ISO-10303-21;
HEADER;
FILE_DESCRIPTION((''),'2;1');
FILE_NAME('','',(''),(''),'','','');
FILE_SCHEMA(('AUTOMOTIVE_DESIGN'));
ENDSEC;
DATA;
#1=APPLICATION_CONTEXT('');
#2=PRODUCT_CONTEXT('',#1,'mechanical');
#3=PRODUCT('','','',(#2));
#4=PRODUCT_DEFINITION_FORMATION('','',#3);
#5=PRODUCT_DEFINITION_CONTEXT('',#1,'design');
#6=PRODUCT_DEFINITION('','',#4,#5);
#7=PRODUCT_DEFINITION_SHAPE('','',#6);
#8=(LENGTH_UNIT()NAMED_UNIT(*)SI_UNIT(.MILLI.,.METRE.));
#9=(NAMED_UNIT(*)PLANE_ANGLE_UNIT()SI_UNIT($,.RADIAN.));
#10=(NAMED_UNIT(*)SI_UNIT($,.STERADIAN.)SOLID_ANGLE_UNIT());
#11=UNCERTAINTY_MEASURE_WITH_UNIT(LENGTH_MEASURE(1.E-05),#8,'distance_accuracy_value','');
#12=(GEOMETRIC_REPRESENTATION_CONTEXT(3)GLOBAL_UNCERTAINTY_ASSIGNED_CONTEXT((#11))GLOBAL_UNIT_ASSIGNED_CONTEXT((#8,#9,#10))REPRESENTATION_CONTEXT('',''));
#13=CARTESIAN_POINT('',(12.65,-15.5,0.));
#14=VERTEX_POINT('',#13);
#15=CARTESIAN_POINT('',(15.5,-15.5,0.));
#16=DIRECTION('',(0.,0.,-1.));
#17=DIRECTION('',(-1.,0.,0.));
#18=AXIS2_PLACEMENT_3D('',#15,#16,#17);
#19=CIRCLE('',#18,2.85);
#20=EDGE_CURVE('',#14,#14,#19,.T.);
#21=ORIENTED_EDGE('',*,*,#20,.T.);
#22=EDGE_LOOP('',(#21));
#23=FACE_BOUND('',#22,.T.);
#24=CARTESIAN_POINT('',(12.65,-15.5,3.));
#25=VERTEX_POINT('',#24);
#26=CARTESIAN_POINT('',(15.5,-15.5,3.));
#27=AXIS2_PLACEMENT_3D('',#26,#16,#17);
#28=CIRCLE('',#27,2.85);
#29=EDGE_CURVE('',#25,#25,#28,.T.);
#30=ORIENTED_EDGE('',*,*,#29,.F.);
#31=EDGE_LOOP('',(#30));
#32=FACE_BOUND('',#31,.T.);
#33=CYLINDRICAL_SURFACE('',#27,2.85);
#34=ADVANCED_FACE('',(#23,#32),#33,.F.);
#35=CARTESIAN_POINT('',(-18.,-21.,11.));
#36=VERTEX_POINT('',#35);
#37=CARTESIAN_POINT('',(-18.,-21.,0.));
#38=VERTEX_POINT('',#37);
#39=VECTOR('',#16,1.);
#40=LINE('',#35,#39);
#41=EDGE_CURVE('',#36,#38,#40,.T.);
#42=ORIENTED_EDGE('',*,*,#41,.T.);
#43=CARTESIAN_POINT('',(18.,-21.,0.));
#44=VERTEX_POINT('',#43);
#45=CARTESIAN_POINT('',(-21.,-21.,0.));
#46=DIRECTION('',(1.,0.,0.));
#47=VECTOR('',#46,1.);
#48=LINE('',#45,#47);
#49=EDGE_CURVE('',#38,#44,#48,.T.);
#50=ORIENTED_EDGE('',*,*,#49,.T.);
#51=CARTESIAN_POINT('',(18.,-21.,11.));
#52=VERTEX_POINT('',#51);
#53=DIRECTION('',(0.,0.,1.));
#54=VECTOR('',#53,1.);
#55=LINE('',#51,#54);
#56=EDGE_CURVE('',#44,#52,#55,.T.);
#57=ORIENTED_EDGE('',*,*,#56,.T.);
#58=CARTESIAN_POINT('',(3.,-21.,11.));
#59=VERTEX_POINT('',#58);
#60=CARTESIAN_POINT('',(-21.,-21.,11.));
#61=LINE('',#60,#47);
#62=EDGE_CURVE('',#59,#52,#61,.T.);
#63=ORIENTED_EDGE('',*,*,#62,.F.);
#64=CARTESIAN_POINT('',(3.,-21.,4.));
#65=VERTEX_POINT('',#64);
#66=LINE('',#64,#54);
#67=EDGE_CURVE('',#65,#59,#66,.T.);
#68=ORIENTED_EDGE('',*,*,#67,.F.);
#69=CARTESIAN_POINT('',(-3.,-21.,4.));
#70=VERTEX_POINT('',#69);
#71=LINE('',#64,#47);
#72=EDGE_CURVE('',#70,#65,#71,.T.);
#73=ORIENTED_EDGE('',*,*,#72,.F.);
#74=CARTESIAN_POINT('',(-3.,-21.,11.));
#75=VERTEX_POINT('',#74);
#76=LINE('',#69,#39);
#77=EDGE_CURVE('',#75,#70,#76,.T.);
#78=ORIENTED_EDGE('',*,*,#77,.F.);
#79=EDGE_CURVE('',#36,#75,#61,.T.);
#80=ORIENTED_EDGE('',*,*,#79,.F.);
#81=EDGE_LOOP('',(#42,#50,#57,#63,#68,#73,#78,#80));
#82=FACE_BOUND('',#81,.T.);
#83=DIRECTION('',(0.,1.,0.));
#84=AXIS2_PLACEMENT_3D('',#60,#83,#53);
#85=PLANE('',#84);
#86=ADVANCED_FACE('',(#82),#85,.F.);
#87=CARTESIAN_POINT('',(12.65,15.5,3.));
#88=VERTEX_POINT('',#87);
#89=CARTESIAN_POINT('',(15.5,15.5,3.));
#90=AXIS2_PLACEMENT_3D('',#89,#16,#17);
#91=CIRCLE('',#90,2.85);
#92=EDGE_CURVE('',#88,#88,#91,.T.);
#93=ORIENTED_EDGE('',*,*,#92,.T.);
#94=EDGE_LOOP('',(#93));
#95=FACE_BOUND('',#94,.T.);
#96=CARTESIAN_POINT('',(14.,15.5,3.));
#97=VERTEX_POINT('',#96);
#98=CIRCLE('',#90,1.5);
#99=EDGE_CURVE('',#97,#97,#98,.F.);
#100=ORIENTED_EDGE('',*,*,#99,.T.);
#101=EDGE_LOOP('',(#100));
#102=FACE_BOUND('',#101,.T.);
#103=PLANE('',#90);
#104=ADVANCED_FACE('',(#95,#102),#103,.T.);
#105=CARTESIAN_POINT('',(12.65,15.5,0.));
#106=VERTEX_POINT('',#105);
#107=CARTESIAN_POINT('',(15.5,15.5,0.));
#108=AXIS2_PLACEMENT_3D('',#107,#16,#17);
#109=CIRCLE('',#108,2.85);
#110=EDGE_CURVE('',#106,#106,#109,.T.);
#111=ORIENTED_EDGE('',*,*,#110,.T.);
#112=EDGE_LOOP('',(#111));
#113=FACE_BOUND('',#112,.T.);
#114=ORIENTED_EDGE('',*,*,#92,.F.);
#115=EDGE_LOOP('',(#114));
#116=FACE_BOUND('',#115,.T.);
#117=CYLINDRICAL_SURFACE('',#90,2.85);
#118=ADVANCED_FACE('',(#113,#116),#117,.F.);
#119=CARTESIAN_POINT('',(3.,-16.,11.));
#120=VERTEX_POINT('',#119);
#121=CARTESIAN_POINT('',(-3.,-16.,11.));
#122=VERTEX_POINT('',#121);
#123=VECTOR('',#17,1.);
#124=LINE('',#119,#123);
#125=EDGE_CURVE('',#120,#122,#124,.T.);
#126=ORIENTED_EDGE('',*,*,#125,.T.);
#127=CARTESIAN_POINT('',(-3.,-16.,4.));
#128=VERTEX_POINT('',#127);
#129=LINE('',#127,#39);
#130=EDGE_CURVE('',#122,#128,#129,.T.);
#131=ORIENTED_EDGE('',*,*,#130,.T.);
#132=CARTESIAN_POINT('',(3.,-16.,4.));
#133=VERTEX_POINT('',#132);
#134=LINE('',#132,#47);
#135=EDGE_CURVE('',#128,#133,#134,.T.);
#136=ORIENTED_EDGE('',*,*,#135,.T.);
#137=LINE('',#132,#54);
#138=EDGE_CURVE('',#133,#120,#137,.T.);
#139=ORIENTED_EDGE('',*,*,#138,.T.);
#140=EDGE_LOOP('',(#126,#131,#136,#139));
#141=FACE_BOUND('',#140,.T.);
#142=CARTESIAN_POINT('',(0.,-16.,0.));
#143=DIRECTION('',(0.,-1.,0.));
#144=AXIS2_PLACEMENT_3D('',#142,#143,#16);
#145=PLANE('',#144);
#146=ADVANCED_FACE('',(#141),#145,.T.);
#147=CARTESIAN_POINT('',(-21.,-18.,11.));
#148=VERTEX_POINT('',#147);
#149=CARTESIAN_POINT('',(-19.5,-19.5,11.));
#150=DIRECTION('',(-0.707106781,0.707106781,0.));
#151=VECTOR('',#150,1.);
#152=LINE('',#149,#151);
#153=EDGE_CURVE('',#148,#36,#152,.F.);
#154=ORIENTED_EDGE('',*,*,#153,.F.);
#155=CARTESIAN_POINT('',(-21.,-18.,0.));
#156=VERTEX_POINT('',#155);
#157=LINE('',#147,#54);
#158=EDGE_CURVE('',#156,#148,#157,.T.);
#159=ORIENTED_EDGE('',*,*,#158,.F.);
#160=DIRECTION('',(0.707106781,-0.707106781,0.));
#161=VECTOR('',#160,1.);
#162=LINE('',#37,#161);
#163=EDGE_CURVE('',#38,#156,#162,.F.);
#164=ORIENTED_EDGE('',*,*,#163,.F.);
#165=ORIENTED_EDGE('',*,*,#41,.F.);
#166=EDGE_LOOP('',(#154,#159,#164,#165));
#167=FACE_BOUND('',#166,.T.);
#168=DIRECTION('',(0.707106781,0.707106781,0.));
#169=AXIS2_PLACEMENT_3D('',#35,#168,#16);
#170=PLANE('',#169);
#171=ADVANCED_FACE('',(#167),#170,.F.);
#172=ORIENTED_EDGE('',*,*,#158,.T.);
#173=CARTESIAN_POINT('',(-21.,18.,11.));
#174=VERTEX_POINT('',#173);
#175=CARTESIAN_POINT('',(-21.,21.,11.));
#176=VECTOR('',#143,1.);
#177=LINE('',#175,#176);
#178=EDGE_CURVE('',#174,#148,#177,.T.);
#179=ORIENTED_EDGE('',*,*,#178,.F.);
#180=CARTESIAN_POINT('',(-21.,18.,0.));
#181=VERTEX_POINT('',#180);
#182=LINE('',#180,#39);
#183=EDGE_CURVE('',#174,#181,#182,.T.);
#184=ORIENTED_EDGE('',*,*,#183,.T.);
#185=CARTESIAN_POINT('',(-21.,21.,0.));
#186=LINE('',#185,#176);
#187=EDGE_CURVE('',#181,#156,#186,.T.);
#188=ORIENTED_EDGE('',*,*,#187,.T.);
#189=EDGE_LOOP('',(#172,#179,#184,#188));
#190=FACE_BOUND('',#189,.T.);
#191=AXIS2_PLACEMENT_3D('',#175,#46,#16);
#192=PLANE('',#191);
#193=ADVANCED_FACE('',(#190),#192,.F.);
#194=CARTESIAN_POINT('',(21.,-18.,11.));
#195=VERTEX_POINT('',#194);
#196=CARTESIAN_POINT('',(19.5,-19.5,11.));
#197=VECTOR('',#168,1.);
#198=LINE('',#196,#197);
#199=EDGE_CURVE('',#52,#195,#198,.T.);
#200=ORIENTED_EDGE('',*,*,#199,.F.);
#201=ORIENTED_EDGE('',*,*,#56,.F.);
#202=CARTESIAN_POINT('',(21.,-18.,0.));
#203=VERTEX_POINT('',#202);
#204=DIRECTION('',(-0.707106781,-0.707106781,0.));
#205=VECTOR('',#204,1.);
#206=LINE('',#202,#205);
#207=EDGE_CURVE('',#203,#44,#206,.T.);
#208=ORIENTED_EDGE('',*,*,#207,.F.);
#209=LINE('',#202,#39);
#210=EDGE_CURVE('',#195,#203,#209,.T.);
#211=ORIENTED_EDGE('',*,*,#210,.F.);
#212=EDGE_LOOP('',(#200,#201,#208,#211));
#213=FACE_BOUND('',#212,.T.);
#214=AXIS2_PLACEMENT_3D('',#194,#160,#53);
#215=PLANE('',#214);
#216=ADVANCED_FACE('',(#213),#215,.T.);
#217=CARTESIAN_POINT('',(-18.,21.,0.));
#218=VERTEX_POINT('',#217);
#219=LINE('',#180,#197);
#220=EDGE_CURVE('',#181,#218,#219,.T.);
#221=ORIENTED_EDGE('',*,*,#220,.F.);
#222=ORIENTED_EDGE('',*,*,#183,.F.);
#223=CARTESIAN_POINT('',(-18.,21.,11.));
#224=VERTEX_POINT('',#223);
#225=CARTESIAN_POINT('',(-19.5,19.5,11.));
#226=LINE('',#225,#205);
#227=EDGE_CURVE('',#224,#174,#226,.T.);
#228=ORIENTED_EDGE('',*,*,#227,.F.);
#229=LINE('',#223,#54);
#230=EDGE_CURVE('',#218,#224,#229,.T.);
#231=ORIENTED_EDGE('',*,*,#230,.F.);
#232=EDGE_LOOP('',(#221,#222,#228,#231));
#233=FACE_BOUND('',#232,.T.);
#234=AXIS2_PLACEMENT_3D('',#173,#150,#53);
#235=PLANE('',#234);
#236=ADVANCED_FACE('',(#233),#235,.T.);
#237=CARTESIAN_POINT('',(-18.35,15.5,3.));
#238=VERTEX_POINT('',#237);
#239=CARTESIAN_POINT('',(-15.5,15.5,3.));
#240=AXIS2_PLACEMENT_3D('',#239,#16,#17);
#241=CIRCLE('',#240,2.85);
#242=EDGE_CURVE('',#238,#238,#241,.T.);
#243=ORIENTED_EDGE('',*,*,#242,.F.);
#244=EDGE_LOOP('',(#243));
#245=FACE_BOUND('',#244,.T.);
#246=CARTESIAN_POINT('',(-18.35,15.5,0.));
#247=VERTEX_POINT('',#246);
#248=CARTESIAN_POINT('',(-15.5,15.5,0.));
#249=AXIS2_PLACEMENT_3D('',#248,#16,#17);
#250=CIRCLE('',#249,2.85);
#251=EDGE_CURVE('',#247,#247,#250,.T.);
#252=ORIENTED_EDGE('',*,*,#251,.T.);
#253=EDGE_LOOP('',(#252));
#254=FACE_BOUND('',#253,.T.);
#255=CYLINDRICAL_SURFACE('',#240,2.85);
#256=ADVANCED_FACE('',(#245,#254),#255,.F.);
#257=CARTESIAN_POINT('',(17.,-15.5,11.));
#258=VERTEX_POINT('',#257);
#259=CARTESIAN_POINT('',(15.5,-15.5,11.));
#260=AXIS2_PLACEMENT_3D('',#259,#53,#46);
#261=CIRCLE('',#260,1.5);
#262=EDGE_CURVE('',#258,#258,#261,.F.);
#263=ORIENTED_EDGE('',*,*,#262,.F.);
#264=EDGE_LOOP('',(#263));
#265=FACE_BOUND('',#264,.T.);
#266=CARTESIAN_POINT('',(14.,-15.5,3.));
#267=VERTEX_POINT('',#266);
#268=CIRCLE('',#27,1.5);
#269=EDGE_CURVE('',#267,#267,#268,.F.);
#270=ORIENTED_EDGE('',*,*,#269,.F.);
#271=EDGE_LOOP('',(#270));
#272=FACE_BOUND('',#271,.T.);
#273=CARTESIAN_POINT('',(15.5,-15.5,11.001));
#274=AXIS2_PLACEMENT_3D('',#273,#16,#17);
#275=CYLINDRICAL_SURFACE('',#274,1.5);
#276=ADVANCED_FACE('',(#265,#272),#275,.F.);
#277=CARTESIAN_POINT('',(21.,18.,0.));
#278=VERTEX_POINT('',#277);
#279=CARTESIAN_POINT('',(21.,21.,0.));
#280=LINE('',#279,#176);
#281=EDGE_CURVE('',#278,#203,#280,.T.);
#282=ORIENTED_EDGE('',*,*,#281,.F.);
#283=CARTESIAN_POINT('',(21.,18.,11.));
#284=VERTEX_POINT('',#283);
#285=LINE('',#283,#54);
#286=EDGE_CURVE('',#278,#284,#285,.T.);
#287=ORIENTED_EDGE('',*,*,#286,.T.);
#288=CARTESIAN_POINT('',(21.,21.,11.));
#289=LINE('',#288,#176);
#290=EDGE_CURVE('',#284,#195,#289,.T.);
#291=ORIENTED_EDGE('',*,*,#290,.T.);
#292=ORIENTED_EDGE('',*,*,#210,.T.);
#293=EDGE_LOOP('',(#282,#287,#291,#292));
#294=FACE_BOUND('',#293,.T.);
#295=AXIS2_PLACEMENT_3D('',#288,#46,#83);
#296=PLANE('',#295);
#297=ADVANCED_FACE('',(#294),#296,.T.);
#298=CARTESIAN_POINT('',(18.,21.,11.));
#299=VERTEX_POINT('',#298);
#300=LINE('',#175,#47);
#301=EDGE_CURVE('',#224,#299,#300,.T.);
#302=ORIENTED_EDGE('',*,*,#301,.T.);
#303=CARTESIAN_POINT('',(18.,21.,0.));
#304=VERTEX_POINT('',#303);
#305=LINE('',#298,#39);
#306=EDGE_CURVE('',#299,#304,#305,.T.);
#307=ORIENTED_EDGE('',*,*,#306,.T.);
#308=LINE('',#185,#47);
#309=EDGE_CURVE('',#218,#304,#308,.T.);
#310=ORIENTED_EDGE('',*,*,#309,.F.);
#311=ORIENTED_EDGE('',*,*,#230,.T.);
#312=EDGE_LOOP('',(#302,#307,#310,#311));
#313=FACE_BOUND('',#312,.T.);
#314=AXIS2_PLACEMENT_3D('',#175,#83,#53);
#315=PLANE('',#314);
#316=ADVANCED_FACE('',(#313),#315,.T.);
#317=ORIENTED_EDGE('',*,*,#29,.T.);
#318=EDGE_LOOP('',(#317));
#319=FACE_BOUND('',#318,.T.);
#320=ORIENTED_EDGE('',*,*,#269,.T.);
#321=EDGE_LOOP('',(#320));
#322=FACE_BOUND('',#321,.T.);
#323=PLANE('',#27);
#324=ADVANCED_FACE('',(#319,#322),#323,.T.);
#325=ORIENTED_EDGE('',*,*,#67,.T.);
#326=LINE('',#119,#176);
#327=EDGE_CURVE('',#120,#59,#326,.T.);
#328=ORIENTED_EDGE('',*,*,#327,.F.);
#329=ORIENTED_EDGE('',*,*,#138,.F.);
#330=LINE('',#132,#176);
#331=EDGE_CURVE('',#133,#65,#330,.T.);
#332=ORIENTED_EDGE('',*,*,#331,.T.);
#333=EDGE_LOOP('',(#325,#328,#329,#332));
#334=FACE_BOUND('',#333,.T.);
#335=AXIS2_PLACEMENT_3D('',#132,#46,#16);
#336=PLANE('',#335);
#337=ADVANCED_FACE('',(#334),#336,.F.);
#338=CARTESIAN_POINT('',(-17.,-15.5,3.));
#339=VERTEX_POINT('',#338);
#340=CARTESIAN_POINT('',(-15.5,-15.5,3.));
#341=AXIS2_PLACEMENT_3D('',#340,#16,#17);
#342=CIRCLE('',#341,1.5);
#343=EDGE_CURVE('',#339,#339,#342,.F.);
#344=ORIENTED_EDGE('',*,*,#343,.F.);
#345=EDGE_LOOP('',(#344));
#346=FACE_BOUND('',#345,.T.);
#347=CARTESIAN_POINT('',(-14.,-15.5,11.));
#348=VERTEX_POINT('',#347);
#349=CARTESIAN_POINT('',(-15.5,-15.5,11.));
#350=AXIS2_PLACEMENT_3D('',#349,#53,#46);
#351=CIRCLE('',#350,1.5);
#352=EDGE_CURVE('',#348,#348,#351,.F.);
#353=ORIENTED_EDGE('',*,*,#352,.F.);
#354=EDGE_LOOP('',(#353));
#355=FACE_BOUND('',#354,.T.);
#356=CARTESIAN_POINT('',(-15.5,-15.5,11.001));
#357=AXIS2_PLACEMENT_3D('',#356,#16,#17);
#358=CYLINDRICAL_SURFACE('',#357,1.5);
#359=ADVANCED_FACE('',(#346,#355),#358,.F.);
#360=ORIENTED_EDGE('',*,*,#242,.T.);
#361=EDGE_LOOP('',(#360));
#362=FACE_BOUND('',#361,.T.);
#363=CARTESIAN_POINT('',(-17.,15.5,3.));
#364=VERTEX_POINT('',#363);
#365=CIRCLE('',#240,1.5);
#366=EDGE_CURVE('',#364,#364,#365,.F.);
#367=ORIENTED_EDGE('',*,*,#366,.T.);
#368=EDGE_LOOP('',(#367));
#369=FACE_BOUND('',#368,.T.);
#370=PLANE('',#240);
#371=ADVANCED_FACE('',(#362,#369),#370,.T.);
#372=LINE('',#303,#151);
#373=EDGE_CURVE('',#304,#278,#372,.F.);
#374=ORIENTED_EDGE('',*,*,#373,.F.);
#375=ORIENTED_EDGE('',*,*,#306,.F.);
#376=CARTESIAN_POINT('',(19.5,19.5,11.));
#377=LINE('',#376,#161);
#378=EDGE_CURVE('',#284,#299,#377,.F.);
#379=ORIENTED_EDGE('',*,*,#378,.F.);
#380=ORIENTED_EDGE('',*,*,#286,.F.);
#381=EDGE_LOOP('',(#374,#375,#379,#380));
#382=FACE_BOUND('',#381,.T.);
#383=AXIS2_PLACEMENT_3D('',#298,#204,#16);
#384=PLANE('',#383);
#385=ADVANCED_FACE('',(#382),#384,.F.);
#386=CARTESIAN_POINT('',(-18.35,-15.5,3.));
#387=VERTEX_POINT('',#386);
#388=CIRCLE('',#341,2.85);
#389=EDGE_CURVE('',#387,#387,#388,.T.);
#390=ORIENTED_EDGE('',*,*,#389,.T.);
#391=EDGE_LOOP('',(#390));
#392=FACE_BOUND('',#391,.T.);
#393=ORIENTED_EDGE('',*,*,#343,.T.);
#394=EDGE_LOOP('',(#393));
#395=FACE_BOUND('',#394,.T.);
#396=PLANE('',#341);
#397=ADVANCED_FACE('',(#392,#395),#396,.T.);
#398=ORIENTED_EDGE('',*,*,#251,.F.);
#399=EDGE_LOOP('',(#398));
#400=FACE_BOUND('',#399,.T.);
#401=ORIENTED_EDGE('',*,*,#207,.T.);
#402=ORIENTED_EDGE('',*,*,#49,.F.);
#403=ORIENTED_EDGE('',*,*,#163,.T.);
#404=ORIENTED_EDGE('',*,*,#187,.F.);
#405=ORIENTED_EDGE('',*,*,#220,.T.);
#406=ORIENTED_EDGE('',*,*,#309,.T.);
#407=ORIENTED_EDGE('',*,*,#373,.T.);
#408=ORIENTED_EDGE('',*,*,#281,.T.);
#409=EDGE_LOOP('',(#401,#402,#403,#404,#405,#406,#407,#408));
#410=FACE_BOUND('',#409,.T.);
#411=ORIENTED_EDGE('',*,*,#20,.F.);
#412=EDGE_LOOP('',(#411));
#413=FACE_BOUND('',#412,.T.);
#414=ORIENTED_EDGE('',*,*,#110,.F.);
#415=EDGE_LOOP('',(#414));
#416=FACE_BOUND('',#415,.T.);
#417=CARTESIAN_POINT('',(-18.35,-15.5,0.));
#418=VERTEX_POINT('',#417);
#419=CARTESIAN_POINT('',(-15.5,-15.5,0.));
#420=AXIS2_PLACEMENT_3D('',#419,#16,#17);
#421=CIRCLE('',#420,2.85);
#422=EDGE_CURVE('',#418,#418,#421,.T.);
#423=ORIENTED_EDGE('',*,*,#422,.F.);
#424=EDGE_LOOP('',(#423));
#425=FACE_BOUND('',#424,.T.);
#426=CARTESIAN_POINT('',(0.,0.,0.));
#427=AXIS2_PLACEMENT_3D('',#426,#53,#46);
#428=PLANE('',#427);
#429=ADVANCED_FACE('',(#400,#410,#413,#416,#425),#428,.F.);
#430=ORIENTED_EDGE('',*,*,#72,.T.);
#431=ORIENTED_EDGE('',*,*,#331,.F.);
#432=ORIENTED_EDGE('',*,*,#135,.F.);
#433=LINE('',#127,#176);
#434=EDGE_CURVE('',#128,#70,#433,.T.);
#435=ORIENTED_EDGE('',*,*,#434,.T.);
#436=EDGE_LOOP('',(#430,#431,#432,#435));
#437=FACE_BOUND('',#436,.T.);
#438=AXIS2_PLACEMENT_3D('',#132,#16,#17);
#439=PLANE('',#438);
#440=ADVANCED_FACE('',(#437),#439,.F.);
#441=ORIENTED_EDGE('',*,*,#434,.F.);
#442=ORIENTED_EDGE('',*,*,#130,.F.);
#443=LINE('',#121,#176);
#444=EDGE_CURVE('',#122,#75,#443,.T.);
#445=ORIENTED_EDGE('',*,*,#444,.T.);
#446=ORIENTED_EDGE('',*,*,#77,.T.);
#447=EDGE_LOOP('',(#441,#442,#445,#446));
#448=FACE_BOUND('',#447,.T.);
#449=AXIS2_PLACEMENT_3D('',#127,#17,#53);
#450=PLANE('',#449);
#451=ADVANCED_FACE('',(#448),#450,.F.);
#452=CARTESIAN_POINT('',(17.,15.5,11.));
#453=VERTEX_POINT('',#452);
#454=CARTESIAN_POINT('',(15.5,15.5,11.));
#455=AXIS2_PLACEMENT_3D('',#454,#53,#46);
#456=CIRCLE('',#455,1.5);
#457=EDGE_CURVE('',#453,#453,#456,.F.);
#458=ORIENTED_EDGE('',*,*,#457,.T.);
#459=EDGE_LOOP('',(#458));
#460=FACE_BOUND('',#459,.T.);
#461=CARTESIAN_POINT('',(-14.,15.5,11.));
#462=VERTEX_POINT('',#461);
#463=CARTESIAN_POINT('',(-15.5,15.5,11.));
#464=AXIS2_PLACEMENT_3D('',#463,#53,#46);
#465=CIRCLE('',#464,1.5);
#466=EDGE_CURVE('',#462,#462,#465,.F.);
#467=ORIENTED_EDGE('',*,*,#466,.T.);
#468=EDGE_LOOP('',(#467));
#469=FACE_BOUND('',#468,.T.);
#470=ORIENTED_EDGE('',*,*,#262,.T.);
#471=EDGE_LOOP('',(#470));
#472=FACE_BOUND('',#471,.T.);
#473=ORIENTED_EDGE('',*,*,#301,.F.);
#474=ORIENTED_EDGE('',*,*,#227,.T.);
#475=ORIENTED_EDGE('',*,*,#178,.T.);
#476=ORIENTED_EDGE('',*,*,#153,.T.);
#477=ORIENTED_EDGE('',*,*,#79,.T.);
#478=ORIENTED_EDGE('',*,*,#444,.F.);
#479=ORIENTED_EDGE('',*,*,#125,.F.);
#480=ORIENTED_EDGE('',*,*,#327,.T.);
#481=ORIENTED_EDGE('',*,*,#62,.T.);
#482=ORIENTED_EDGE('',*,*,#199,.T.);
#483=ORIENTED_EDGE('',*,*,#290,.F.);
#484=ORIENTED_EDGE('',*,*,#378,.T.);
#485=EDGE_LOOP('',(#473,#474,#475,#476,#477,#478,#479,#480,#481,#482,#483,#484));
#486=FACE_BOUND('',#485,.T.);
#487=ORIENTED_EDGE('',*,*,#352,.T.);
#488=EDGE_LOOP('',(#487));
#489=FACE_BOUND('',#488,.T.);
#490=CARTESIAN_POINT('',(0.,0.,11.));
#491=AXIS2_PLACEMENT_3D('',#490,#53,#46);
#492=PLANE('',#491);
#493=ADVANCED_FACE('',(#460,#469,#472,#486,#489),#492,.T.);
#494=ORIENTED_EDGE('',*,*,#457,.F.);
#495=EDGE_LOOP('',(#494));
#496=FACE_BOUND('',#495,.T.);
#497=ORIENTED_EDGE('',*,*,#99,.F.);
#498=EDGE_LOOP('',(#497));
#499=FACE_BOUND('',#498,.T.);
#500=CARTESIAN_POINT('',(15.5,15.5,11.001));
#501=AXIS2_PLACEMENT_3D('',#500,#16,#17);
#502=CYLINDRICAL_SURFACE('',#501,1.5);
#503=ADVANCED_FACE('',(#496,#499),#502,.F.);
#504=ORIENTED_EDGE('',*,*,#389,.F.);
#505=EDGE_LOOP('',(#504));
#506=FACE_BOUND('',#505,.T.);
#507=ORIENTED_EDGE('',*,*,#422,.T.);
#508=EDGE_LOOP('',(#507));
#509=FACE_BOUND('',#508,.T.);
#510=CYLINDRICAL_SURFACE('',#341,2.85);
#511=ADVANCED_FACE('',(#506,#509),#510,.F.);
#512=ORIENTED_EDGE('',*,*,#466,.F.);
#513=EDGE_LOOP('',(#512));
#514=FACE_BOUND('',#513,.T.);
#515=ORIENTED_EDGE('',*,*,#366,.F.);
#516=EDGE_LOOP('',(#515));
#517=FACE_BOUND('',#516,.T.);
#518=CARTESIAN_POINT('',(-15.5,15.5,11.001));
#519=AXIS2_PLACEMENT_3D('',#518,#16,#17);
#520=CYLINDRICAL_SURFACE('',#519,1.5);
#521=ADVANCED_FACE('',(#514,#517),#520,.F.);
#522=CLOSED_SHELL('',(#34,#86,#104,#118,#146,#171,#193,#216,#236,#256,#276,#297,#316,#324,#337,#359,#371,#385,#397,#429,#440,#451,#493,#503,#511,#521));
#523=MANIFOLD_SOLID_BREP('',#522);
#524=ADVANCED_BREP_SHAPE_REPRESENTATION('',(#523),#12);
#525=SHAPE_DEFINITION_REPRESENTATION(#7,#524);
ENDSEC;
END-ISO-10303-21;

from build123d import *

# Parameters (mm, degrees)
SKETCH1_W           = 42
SKETCH1_H           = 42
BOSS_EXTRUDE1_DEPTH = 11
CHAMFER1_SIZE       = 3
CUT_EXTRUDE2_REACH  = 33.67
SKETCH3_R           = 1.5
SKETCH4_R           = 2.85
CUT_EXTRUDE3_DEPTH  = 3
SKETCH5_W           = 6
SKETCH5_H           = 7
CUT_EXTRUDE4_DEPTH  = 5


with BuildPart() as part:
    # Sketch1 → Boss-Extrude1 (new body)
    with BuildSketch(Plane.XY):
        Rectangle(SKETCH1_W, SKETCH1_H)
    extrude(amount=BOSS_EXTRUDE1_DEPTH)

    # Chamfer1
    chamfer1_edges = [part.edges().sort_by_distance(p)[0] for p in [
        (-21, 21, 5.5),
        (21, 21, 5.5),
        (21, -21, 5.5),
        (-21, -21, 5.5),
    ]]
    chamfer(chamfer1_edges, length=CHAMFER1_SIZE)

    # Sketch3 → Cut-Extrude2 (cut, up to next)
    with BuildSketch(Plane(origin=(0, 0, 0), x_dir=(-1, 0, 0), z_dir=(0, 0, -1)), mode=Mode.PRIVATE) as cut_extrude2_sk1:
        with Locations((-15.5, 15.5)):
            Circle(SKETCH3_R)
    cut_extrude2_tool1 = extrude(cut_extrude2_sk1.sketch, amount=-CUT_EXTRUDE2_REACH, mode=Mode.PRIVATE) & part.part
    # Sketch3 → Cut-Extrude2 (cut, up to next)
    with BuildSketch(Plane(origin=(0, 0, 0), x_dir=(-1, 0, 0), z_dir=(0, 0, -1)), mode=Mode.PRIVATE) as cut_extrude2_sk2:
        with Locations((15.5, 15.5)):
            Circle(SKETCH3_R)
    cut_extrude2_tool2 = extrude(cut_extrude2_sk2.sketch, amount=-CUT_EXTRUDE2_REACH, mode=Mode.PRIVATE) & part.part
    # Sketch3 → Cut-Extrude2 (cut, up to next)
    with BuildSketch(Plane(origin=(0, 0, 0), x_dir=(-1, 0, 0), z_dir=(0, 0, -1)), mode=Mode.PRIVATE) as cut_extrude2_sk3:
        with Locations((15.5, -15.5)):
            Circle(SKETCH3_R)
    cut_extrude2_tool3 = extrude(cut_extrude2_sk3.sketch, amount=-CUT_EXTRUDE2_REACH, mode=Mode.PRIVATE) & part.part
    # Sketch3 → Cut-Extrude2 (cut, up to next)
    with BuildSketch(Plane(origin=(0, 0, 0), x_dir=(-1, 0, 0), z_dir=(0, 0, -1)), mode=Mode.PRIVATE) as cut_extrude2_sk4:
        with Locations((-15.5, -15.5)):
            Circle(SKETCH3_R)
    cut_extrude2_tool4 = extrude(cut_extrude2_sk4.sketch, amount=-CUT_EXTRUDE2_REACH, mode=Mode.PRIVATE) & part.part
    add(cut_extrude2_tool1.solids().sort_by_distance((15.5, 15.5, 0))[0], mode=Mode.SUBTRACT)
    add(cut_extrude2_tool2.solids().sort_by_distance((-15.5, 15.5, 0))[0], mode=Mode.SUBTRACT)
    add(cut_extrude2_tool3.solids().sort_by_distance((-15.5, -15.5, 0))[0], mode=Mode.SUBTRACT)
    add(cut_extrude2_tool4.solids().sort_by_distance((15.5, -15.5, 0))[0], mode=Mode.SUBTRACT)

    # Sketch4 → Cut-Extrude3 (cut)
    with BuildSketch(Plane(origin=(0, 0, 0), x_dir=(-1, 0, 0), z_dir=(0, 0, -1))):
        with Locations((-15.5, 15.5)):
            Circle(SKETCH4_R)
        with Locations((15.5, 15.5)):
            Circle(SKETCH4_R)
        with Locations((15.5, -15.5)):
            Circle(SKETCH4_R)
        with Locations((-15.5, -15.5)):
            Circle(SKETCH4_R)
    extrude(amount=-CUT_EXTRUDE3_DEPTH, mode=Mode.SUBTRACT)

    # Sketch5 → Cut-Extrude4 (cut)
    with BuildSketch(Plane.XZ.offset(21)):
        with Locations((0, 7.5)):
            Rectangle(SKETCH5_W, SKETCH5_H)
    extrude(amount=-CUT_EXTRUDE4_DEPTH, mode=Mode.SUBTRACT)


solid = part.part
